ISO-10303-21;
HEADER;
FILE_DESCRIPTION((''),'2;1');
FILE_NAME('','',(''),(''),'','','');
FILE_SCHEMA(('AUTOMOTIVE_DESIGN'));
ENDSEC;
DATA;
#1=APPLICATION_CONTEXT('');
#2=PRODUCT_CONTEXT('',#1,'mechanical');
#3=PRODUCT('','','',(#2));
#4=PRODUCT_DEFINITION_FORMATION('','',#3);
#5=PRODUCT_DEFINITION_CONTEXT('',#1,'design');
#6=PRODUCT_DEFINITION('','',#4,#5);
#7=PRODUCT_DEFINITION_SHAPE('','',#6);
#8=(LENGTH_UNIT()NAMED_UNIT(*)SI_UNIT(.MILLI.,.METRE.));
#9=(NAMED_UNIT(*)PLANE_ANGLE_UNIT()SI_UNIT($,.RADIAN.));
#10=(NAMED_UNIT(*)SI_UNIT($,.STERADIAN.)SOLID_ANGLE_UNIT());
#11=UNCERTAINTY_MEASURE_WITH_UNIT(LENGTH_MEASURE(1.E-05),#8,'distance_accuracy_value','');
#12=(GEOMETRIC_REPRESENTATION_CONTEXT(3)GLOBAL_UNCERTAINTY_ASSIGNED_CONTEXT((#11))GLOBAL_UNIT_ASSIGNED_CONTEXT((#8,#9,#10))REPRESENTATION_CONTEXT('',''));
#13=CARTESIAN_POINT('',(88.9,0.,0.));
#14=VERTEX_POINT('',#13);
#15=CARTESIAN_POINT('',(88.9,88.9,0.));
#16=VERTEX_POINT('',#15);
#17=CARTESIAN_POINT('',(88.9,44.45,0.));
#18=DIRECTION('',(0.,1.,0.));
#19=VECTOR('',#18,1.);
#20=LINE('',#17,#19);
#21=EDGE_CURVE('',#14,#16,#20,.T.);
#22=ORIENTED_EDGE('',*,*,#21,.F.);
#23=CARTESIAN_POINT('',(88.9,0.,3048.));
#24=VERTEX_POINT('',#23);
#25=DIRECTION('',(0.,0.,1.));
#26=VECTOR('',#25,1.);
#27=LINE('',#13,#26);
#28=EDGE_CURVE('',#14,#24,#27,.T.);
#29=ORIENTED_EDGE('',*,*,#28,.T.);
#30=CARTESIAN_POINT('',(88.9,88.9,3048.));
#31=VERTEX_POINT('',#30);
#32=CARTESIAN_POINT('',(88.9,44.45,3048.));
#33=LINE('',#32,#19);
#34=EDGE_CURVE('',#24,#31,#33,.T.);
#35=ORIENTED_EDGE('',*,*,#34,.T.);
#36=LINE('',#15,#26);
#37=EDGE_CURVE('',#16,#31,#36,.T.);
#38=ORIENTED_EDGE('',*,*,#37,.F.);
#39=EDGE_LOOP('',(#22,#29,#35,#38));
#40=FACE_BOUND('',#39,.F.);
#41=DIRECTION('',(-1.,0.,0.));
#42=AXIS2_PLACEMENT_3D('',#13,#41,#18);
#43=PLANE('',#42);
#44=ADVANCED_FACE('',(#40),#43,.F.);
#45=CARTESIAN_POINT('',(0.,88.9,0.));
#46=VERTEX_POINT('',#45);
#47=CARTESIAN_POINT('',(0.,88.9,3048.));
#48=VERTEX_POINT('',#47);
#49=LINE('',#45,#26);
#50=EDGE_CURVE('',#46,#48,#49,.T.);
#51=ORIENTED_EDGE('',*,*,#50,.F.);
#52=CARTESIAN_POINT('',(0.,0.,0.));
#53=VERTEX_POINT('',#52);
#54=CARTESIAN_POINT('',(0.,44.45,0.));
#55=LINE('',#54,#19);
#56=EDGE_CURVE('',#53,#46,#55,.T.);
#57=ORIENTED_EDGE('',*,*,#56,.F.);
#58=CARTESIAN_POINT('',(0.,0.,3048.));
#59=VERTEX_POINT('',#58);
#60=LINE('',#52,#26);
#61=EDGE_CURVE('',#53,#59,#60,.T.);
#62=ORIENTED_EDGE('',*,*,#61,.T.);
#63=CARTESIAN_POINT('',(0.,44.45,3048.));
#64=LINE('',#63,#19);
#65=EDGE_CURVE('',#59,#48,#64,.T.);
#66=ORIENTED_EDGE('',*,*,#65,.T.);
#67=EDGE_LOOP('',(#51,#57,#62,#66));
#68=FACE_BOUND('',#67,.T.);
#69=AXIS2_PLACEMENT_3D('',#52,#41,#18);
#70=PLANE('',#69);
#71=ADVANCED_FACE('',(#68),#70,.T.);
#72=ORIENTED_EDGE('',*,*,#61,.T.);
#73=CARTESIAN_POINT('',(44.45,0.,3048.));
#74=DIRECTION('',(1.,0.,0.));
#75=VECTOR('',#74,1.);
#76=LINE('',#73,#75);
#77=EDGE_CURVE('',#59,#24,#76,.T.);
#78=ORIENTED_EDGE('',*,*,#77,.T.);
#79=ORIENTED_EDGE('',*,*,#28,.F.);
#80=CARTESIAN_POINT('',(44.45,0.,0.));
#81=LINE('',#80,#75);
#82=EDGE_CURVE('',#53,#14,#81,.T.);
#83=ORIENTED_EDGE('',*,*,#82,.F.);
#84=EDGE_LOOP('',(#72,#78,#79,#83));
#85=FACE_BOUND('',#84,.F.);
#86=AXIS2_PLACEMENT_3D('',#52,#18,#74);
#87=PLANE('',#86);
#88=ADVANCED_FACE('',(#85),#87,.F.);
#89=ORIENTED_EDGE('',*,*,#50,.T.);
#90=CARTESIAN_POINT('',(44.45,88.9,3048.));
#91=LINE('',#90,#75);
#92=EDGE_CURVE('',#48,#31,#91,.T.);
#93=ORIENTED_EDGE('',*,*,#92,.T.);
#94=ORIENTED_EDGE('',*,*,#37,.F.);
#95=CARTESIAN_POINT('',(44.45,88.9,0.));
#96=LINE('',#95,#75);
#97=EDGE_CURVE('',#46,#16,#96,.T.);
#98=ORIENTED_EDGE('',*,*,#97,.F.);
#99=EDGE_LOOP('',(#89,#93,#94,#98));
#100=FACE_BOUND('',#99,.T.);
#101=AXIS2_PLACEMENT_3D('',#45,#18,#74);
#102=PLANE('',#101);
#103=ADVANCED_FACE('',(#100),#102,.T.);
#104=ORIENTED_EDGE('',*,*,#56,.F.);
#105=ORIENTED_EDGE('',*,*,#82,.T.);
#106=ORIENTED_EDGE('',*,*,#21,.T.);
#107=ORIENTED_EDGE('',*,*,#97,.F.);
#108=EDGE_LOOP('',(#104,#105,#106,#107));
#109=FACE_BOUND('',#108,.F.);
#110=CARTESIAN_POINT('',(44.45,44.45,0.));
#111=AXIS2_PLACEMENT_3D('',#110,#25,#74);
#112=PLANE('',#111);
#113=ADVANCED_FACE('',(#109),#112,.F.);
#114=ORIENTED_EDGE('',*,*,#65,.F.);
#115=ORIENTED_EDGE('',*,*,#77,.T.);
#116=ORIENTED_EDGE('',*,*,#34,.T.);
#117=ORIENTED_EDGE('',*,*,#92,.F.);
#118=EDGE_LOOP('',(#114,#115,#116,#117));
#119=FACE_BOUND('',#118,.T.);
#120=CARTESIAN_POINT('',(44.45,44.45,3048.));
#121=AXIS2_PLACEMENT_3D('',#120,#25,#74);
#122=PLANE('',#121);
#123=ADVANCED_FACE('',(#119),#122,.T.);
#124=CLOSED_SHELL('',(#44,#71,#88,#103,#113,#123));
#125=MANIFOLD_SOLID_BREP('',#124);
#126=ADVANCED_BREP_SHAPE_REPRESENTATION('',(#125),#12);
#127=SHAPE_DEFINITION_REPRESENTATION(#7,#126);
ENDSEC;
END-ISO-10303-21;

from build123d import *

# Parameters (mm, degrees)
F0_W     = 88.9
F0_H     = 88.9
F1_DEPTH = 3048
F2_W     = 38.1
F2_H     = 184.15
F3_DEPTH = 2362.2
F4_W     = 38.1
F4_H     = 184.15
F5_DEPTH = 1200.15
F6_W     = 38.1
F6_H     = 88.9
F7_DEPTH = 1123.95
F8_W     = 38.1
F8_H     = 88.9
F9_DEPTH = 1320.8


with BuildPart() as f1:
    # F0 (on Top) → F1 (new body)
    with BuildSketch(Plane.XY):
        with Locations((44.45, 44.45)):
            Rectangle(F0_W, F0_H)
    extrude(amount=F1_DEPTH)


with BuildPart() as f3:
    # F2 (on Front) → F3 (new body)
    with BuildSketch(Plane.XZ):
        with Locations((-146.594351, 92.075)):
            Rectangle(F2_W, F2_H)
    extrude(amount=F3_DEPTH)


with BuildPart() as f5:
    # F4 (on Right) → F5 (new body)
    with BuildSketch(Plane.YZ):
        with Locations((249.086387, 92.075)):
            Rectangle(F4_W, F4_H)
    extrude(amount=F5_DEPTH)


with BuildPart() as f7:
    # F6 (on Front) → F7 (new body)
    with BuildSketch(Plane.XZ):
        with Locations((-334.724839, 44.45)):
            Rectangle(F6_W, F6_H)
    extrude(amount=F7_DEPTH)


with BuildPart() as f9:
    # F8 (on Top) → F9 (new body)
    with BuildSketch(Plane.XY):
        with Locations((54.404456, -162.528336)):
            Rectangle(F8_W, F8_H)
    extrude(amount=F9_DEPTH)


solid = f1.part
